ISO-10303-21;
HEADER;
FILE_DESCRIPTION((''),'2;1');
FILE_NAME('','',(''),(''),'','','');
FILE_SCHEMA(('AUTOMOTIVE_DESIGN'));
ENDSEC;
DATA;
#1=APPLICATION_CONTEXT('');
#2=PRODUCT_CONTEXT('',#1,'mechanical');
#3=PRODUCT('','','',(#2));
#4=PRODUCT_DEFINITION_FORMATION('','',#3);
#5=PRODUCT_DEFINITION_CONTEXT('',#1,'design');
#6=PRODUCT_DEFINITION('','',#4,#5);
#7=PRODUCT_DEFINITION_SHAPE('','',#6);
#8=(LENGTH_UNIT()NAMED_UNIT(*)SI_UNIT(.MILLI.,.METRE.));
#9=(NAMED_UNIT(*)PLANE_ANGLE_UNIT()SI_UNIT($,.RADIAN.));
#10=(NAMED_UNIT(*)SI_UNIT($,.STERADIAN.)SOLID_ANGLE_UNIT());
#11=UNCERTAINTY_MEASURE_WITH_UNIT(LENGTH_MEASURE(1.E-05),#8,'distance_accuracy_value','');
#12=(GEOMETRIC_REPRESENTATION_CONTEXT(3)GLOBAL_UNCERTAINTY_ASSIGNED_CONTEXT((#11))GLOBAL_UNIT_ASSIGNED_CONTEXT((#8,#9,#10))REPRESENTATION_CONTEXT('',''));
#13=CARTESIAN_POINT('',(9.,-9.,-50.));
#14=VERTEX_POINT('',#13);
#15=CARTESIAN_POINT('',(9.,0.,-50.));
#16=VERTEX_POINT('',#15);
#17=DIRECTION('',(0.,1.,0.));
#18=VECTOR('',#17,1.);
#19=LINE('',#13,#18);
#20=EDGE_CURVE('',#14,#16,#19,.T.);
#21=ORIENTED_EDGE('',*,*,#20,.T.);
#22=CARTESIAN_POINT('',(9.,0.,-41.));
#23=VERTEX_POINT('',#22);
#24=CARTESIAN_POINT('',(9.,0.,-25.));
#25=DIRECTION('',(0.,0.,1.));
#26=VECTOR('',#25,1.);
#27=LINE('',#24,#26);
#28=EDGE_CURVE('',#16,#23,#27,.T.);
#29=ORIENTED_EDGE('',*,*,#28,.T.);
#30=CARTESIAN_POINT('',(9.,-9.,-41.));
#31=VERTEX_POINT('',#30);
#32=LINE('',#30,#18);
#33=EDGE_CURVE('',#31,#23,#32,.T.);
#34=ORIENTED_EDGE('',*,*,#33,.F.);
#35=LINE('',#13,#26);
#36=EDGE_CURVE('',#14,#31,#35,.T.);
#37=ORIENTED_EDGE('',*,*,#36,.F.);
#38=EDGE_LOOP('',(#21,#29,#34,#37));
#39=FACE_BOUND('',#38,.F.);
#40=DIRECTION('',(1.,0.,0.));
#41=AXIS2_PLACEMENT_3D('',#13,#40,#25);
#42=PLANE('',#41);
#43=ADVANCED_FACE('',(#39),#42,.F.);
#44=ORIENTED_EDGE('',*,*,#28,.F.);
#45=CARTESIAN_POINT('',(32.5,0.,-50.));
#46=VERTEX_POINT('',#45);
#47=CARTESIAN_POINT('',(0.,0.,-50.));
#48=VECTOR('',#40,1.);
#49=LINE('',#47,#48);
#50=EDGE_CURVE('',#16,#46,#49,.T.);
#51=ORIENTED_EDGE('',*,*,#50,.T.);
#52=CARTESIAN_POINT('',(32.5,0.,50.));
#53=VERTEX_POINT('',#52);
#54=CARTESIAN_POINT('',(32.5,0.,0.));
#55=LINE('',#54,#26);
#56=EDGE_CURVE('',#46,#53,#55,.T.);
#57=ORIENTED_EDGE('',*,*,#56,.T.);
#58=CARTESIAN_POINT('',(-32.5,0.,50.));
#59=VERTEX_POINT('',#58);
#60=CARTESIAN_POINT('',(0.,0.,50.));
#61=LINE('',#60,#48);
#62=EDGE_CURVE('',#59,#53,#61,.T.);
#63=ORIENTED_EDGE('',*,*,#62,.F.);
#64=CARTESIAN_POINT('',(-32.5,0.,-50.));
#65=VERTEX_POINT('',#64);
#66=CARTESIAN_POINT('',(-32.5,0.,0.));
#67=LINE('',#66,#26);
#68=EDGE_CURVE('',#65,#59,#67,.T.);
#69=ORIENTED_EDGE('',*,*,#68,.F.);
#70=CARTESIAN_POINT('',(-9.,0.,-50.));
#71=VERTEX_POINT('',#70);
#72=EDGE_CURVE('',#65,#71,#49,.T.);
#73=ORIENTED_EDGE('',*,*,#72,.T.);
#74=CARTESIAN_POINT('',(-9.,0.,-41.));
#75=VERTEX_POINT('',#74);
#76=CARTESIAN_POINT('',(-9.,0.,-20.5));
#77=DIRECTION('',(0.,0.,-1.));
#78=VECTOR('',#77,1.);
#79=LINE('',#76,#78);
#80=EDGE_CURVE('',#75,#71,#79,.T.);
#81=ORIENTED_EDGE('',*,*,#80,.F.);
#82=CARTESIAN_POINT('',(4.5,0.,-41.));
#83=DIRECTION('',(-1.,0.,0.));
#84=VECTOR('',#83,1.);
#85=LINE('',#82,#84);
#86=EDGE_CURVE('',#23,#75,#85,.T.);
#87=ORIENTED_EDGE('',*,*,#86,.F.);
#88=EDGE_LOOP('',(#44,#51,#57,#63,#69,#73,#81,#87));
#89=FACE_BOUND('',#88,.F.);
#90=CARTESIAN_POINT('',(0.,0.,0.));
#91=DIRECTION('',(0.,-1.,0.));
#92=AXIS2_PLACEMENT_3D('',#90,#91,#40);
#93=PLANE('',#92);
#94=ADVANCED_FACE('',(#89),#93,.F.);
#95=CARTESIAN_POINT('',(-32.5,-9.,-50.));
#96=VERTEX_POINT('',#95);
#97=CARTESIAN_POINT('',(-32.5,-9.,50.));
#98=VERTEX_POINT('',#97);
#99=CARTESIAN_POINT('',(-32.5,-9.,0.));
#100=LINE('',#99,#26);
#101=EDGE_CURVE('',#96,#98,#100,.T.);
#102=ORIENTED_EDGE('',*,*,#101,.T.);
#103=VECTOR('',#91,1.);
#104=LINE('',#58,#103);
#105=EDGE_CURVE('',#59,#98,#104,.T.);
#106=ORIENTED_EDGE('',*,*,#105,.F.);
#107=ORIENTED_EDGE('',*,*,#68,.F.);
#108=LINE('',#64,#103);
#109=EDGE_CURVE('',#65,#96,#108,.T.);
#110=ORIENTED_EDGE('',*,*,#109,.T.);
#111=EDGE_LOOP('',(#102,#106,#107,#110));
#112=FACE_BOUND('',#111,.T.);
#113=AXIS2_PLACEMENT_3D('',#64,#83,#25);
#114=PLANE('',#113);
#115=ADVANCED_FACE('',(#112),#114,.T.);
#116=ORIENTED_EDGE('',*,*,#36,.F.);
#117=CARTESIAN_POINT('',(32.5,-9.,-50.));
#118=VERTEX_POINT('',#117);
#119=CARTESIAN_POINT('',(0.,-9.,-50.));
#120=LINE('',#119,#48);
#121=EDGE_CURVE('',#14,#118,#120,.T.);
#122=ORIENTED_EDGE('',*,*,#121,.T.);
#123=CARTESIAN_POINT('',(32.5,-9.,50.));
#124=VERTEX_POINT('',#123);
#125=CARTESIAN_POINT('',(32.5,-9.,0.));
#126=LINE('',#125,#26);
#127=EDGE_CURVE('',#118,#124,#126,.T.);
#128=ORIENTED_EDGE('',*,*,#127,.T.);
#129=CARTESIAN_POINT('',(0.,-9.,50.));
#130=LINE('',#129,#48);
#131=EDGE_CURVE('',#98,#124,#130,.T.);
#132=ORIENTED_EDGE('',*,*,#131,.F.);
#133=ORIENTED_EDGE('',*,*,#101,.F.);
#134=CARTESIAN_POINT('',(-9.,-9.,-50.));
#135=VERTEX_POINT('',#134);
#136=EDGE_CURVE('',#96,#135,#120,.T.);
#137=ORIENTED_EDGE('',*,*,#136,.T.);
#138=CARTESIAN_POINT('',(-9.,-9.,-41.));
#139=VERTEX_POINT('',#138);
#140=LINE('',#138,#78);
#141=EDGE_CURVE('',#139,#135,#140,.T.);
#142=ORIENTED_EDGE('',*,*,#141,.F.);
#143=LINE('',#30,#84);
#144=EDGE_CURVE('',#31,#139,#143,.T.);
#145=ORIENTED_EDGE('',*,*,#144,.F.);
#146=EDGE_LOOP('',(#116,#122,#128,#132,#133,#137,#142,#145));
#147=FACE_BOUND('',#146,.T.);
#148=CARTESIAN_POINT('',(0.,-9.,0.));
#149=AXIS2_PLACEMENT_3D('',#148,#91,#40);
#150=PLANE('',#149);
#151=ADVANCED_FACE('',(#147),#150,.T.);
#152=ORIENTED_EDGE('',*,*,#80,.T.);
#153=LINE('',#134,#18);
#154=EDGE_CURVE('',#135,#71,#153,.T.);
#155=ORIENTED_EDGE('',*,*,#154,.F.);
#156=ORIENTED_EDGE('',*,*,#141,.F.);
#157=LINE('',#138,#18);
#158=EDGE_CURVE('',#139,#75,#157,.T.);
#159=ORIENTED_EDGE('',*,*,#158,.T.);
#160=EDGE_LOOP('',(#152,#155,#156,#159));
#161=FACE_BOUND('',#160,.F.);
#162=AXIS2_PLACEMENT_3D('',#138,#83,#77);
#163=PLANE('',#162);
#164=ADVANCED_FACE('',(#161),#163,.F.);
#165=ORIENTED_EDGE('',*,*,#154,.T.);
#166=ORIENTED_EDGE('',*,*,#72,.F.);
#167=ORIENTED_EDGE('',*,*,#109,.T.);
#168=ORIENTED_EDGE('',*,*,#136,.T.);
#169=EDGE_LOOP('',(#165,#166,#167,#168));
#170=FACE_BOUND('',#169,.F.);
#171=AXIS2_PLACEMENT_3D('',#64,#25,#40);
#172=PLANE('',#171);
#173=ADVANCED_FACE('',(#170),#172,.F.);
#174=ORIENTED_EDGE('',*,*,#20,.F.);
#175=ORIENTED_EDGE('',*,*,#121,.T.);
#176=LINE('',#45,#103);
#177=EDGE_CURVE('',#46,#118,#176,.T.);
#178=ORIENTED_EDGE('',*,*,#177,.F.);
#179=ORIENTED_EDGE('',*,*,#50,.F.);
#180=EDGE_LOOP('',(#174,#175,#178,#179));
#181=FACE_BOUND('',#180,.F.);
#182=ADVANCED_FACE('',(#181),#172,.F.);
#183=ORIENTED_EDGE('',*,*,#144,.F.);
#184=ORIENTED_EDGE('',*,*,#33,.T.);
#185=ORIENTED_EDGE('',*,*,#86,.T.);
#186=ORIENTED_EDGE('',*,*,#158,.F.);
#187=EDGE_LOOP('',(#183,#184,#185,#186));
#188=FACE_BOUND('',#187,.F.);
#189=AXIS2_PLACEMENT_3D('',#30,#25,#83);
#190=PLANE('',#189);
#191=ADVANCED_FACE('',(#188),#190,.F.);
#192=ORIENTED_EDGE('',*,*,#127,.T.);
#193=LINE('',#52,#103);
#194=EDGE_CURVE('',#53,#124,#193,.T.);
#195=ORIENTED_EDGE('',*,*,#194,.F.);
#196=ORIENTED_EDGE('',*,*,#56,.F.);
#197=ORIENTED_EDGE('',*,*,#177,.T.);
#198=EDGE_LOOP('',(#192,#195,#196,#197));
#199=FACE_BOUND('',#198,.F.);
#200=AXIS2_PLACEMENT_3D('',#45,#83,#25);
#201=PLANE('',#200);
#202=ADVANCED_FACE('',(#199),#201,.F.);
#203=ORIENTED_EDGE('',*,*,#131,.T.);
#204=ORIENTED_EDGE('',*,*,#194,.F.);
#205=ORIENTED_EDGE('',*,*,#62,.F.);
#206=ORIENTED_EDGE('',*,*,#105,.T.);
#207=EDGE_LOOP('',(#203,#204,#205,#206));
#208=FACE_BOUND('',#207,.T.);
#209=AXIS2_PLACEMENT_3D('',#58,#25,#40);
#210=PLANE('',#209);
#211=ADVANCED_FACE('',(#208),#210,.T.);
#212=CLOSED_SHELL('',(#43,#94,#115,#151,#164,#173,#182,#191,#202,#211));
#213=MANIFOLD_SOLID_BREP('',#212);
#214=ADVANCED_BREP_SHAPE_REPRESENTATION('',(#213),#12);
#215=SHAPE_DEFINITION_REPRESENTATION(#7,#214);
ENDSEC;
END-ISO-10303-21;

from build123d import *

# Parameters (mm, degrees)
F0_W     = 65
F0_H     = 100
F1_DEPTH = 9
F3_DEPTH = 9.001


with BuildPart() as f1:
    # F0 (on Front) → F1 (new body)
    with BuildSketch(Plane.XZ):
        Rectangle(F0_W, F0_H)
    extrude(amount=F1_DEPTH)

    # F2 (on face) → F3 (cut, through all)
    with BuildSketch(Plane.XZ.offset(9)):
        Polygon((9, -41), (0, -41), (-9, -41), (-9, -50), (0, -50), (9, -50), align=None)
    extrude(amount=-F3_DEPTH, mode=Mode.SUBTRACT)


solid = f1.part
